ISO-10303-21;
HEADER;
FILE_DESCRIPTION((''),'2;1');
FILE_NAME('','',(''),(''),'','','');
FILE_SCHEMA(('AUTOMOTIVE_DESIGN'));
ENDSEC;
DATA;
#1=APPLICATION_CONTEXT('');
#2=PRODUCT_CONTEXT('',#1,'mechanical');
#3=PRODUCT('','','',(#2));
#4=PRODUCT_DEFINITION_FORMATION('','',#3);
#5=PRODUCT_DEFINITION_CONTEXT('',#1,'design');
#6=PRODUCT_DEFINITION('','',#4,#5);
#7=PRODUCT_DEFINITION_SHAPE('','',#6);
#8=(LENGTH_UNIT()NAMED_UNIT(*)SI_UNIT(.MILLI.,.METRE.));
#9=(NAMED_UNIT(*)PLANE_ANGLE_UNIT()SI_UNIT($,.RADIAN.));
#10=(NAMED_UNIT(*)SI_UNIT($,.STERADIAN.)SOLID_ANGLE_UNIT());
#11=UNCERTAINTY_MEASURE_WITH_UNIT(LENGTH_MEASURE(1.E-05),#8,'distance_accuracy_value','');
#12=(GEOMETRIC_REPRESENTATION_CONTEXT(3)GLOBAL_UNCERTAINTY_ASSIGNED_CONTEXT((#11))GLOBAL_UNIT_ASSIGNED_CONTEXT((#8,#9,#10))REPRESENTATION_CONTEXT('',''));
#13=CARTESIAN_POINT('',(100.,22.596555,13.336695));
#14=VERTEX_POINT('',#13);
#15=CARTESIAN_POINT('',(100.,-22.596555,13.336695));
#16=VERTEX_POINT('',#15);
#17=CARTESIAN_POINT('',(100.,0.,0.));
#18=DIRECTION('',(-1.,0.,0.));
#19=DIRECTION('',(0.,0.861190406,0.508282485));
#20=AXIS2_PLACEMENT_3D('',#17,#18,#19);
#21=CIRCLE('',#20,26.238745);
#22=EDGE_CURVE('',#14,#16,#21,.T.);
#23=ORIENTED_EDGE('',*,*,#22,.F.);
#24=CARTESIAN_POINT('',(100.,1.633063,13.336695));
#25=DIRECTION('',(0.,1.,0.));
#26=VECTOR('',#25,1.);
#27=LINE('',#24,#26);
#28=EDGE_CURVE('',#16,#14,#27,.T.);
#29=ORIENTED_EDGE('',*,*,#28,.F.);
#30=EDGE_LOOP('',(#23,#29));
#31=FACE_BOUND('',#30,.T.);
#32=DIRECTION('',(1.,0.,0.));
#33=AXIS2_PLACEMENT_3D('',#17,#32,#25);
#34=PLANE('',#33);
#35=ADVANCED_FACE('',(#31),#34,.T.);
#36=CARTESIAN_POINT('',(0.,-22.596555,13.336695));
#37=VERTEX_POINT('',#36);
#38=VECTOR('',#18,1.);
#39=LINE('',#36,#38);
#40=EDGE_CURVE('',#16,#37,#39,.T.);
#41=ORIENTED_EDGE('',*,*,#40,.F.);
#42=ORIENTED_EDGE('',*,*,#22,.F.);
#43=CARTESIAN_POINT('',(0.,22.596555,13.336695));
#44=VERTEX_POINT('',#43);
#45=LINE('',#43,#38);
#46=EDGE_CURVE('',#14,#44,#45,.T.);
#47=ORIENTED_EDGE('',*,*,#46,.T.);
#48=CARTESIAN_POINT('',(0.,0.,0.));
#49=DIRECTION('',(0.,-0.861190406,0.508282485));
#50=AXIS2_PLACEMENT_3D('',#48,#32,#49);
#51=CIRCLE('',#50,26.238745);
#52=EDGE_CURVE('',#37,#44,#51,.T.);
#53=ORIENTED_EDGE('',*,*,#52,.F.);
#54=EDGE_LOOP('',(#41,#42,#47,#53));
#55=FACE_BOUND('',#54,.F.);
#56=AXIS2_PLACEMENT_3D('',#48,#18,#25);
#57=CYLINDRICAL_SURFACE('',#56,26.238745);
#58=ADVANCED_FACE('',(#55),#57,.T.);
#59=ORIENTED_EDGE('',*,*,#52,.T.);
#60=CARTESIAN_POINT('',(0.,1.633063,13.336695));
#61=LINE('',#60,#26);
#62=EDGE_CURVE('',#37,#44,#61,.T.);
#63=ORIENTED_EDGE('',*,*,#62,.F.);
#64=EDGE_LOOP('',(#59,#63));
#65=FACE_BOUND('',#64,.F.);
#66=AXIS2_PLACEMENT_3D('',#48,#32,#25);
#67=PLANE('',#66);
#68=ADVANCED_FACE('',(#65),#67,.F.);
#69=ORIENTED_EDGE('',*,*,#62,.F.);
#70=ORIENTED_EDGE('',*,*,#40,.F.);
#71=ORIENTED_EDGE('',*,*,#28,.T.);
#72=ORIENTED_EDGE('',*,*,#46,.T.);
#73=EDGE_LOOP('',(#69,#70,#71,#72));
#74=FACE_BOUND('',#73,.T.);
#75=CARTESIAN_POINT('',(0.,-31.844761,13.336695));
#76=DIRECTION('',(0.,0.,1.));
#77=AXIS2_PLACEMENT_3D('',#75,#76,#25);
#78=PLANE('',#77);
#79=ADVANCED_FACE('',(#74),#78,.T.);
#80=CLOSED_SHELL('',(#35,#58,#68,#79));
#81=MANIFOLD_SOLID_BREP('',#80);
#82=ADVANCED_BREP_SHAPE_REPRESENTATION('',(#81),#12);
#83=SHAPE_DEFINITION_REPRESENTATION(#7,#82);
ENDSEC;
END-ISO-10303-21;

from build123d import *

# Parameters (mm, degrees)
F0_R     = 26.238745
F1_DEPTH = 100
F2_W     = 66.955648
F2_H     = 21.229839
F3_DEPTH = 100


with BuildPart() as f1:
    # F0 (on Right) → F1 (new body)
    with BuildSketch(Plane.YZ):
        Circle(F0_R)
    extrude(amount=F1_DEPTH)

    # F2 (on Right) → F3 (cut)
    with BuildSketch(Plane.YZ):
        with Locations((1.633063, 23.951614)):
            Rectangle(F2_W, F2_H)
    extrude(amount=F3_DEPTH, mode=Mode.SUBTRACT)


solid = f1.part
